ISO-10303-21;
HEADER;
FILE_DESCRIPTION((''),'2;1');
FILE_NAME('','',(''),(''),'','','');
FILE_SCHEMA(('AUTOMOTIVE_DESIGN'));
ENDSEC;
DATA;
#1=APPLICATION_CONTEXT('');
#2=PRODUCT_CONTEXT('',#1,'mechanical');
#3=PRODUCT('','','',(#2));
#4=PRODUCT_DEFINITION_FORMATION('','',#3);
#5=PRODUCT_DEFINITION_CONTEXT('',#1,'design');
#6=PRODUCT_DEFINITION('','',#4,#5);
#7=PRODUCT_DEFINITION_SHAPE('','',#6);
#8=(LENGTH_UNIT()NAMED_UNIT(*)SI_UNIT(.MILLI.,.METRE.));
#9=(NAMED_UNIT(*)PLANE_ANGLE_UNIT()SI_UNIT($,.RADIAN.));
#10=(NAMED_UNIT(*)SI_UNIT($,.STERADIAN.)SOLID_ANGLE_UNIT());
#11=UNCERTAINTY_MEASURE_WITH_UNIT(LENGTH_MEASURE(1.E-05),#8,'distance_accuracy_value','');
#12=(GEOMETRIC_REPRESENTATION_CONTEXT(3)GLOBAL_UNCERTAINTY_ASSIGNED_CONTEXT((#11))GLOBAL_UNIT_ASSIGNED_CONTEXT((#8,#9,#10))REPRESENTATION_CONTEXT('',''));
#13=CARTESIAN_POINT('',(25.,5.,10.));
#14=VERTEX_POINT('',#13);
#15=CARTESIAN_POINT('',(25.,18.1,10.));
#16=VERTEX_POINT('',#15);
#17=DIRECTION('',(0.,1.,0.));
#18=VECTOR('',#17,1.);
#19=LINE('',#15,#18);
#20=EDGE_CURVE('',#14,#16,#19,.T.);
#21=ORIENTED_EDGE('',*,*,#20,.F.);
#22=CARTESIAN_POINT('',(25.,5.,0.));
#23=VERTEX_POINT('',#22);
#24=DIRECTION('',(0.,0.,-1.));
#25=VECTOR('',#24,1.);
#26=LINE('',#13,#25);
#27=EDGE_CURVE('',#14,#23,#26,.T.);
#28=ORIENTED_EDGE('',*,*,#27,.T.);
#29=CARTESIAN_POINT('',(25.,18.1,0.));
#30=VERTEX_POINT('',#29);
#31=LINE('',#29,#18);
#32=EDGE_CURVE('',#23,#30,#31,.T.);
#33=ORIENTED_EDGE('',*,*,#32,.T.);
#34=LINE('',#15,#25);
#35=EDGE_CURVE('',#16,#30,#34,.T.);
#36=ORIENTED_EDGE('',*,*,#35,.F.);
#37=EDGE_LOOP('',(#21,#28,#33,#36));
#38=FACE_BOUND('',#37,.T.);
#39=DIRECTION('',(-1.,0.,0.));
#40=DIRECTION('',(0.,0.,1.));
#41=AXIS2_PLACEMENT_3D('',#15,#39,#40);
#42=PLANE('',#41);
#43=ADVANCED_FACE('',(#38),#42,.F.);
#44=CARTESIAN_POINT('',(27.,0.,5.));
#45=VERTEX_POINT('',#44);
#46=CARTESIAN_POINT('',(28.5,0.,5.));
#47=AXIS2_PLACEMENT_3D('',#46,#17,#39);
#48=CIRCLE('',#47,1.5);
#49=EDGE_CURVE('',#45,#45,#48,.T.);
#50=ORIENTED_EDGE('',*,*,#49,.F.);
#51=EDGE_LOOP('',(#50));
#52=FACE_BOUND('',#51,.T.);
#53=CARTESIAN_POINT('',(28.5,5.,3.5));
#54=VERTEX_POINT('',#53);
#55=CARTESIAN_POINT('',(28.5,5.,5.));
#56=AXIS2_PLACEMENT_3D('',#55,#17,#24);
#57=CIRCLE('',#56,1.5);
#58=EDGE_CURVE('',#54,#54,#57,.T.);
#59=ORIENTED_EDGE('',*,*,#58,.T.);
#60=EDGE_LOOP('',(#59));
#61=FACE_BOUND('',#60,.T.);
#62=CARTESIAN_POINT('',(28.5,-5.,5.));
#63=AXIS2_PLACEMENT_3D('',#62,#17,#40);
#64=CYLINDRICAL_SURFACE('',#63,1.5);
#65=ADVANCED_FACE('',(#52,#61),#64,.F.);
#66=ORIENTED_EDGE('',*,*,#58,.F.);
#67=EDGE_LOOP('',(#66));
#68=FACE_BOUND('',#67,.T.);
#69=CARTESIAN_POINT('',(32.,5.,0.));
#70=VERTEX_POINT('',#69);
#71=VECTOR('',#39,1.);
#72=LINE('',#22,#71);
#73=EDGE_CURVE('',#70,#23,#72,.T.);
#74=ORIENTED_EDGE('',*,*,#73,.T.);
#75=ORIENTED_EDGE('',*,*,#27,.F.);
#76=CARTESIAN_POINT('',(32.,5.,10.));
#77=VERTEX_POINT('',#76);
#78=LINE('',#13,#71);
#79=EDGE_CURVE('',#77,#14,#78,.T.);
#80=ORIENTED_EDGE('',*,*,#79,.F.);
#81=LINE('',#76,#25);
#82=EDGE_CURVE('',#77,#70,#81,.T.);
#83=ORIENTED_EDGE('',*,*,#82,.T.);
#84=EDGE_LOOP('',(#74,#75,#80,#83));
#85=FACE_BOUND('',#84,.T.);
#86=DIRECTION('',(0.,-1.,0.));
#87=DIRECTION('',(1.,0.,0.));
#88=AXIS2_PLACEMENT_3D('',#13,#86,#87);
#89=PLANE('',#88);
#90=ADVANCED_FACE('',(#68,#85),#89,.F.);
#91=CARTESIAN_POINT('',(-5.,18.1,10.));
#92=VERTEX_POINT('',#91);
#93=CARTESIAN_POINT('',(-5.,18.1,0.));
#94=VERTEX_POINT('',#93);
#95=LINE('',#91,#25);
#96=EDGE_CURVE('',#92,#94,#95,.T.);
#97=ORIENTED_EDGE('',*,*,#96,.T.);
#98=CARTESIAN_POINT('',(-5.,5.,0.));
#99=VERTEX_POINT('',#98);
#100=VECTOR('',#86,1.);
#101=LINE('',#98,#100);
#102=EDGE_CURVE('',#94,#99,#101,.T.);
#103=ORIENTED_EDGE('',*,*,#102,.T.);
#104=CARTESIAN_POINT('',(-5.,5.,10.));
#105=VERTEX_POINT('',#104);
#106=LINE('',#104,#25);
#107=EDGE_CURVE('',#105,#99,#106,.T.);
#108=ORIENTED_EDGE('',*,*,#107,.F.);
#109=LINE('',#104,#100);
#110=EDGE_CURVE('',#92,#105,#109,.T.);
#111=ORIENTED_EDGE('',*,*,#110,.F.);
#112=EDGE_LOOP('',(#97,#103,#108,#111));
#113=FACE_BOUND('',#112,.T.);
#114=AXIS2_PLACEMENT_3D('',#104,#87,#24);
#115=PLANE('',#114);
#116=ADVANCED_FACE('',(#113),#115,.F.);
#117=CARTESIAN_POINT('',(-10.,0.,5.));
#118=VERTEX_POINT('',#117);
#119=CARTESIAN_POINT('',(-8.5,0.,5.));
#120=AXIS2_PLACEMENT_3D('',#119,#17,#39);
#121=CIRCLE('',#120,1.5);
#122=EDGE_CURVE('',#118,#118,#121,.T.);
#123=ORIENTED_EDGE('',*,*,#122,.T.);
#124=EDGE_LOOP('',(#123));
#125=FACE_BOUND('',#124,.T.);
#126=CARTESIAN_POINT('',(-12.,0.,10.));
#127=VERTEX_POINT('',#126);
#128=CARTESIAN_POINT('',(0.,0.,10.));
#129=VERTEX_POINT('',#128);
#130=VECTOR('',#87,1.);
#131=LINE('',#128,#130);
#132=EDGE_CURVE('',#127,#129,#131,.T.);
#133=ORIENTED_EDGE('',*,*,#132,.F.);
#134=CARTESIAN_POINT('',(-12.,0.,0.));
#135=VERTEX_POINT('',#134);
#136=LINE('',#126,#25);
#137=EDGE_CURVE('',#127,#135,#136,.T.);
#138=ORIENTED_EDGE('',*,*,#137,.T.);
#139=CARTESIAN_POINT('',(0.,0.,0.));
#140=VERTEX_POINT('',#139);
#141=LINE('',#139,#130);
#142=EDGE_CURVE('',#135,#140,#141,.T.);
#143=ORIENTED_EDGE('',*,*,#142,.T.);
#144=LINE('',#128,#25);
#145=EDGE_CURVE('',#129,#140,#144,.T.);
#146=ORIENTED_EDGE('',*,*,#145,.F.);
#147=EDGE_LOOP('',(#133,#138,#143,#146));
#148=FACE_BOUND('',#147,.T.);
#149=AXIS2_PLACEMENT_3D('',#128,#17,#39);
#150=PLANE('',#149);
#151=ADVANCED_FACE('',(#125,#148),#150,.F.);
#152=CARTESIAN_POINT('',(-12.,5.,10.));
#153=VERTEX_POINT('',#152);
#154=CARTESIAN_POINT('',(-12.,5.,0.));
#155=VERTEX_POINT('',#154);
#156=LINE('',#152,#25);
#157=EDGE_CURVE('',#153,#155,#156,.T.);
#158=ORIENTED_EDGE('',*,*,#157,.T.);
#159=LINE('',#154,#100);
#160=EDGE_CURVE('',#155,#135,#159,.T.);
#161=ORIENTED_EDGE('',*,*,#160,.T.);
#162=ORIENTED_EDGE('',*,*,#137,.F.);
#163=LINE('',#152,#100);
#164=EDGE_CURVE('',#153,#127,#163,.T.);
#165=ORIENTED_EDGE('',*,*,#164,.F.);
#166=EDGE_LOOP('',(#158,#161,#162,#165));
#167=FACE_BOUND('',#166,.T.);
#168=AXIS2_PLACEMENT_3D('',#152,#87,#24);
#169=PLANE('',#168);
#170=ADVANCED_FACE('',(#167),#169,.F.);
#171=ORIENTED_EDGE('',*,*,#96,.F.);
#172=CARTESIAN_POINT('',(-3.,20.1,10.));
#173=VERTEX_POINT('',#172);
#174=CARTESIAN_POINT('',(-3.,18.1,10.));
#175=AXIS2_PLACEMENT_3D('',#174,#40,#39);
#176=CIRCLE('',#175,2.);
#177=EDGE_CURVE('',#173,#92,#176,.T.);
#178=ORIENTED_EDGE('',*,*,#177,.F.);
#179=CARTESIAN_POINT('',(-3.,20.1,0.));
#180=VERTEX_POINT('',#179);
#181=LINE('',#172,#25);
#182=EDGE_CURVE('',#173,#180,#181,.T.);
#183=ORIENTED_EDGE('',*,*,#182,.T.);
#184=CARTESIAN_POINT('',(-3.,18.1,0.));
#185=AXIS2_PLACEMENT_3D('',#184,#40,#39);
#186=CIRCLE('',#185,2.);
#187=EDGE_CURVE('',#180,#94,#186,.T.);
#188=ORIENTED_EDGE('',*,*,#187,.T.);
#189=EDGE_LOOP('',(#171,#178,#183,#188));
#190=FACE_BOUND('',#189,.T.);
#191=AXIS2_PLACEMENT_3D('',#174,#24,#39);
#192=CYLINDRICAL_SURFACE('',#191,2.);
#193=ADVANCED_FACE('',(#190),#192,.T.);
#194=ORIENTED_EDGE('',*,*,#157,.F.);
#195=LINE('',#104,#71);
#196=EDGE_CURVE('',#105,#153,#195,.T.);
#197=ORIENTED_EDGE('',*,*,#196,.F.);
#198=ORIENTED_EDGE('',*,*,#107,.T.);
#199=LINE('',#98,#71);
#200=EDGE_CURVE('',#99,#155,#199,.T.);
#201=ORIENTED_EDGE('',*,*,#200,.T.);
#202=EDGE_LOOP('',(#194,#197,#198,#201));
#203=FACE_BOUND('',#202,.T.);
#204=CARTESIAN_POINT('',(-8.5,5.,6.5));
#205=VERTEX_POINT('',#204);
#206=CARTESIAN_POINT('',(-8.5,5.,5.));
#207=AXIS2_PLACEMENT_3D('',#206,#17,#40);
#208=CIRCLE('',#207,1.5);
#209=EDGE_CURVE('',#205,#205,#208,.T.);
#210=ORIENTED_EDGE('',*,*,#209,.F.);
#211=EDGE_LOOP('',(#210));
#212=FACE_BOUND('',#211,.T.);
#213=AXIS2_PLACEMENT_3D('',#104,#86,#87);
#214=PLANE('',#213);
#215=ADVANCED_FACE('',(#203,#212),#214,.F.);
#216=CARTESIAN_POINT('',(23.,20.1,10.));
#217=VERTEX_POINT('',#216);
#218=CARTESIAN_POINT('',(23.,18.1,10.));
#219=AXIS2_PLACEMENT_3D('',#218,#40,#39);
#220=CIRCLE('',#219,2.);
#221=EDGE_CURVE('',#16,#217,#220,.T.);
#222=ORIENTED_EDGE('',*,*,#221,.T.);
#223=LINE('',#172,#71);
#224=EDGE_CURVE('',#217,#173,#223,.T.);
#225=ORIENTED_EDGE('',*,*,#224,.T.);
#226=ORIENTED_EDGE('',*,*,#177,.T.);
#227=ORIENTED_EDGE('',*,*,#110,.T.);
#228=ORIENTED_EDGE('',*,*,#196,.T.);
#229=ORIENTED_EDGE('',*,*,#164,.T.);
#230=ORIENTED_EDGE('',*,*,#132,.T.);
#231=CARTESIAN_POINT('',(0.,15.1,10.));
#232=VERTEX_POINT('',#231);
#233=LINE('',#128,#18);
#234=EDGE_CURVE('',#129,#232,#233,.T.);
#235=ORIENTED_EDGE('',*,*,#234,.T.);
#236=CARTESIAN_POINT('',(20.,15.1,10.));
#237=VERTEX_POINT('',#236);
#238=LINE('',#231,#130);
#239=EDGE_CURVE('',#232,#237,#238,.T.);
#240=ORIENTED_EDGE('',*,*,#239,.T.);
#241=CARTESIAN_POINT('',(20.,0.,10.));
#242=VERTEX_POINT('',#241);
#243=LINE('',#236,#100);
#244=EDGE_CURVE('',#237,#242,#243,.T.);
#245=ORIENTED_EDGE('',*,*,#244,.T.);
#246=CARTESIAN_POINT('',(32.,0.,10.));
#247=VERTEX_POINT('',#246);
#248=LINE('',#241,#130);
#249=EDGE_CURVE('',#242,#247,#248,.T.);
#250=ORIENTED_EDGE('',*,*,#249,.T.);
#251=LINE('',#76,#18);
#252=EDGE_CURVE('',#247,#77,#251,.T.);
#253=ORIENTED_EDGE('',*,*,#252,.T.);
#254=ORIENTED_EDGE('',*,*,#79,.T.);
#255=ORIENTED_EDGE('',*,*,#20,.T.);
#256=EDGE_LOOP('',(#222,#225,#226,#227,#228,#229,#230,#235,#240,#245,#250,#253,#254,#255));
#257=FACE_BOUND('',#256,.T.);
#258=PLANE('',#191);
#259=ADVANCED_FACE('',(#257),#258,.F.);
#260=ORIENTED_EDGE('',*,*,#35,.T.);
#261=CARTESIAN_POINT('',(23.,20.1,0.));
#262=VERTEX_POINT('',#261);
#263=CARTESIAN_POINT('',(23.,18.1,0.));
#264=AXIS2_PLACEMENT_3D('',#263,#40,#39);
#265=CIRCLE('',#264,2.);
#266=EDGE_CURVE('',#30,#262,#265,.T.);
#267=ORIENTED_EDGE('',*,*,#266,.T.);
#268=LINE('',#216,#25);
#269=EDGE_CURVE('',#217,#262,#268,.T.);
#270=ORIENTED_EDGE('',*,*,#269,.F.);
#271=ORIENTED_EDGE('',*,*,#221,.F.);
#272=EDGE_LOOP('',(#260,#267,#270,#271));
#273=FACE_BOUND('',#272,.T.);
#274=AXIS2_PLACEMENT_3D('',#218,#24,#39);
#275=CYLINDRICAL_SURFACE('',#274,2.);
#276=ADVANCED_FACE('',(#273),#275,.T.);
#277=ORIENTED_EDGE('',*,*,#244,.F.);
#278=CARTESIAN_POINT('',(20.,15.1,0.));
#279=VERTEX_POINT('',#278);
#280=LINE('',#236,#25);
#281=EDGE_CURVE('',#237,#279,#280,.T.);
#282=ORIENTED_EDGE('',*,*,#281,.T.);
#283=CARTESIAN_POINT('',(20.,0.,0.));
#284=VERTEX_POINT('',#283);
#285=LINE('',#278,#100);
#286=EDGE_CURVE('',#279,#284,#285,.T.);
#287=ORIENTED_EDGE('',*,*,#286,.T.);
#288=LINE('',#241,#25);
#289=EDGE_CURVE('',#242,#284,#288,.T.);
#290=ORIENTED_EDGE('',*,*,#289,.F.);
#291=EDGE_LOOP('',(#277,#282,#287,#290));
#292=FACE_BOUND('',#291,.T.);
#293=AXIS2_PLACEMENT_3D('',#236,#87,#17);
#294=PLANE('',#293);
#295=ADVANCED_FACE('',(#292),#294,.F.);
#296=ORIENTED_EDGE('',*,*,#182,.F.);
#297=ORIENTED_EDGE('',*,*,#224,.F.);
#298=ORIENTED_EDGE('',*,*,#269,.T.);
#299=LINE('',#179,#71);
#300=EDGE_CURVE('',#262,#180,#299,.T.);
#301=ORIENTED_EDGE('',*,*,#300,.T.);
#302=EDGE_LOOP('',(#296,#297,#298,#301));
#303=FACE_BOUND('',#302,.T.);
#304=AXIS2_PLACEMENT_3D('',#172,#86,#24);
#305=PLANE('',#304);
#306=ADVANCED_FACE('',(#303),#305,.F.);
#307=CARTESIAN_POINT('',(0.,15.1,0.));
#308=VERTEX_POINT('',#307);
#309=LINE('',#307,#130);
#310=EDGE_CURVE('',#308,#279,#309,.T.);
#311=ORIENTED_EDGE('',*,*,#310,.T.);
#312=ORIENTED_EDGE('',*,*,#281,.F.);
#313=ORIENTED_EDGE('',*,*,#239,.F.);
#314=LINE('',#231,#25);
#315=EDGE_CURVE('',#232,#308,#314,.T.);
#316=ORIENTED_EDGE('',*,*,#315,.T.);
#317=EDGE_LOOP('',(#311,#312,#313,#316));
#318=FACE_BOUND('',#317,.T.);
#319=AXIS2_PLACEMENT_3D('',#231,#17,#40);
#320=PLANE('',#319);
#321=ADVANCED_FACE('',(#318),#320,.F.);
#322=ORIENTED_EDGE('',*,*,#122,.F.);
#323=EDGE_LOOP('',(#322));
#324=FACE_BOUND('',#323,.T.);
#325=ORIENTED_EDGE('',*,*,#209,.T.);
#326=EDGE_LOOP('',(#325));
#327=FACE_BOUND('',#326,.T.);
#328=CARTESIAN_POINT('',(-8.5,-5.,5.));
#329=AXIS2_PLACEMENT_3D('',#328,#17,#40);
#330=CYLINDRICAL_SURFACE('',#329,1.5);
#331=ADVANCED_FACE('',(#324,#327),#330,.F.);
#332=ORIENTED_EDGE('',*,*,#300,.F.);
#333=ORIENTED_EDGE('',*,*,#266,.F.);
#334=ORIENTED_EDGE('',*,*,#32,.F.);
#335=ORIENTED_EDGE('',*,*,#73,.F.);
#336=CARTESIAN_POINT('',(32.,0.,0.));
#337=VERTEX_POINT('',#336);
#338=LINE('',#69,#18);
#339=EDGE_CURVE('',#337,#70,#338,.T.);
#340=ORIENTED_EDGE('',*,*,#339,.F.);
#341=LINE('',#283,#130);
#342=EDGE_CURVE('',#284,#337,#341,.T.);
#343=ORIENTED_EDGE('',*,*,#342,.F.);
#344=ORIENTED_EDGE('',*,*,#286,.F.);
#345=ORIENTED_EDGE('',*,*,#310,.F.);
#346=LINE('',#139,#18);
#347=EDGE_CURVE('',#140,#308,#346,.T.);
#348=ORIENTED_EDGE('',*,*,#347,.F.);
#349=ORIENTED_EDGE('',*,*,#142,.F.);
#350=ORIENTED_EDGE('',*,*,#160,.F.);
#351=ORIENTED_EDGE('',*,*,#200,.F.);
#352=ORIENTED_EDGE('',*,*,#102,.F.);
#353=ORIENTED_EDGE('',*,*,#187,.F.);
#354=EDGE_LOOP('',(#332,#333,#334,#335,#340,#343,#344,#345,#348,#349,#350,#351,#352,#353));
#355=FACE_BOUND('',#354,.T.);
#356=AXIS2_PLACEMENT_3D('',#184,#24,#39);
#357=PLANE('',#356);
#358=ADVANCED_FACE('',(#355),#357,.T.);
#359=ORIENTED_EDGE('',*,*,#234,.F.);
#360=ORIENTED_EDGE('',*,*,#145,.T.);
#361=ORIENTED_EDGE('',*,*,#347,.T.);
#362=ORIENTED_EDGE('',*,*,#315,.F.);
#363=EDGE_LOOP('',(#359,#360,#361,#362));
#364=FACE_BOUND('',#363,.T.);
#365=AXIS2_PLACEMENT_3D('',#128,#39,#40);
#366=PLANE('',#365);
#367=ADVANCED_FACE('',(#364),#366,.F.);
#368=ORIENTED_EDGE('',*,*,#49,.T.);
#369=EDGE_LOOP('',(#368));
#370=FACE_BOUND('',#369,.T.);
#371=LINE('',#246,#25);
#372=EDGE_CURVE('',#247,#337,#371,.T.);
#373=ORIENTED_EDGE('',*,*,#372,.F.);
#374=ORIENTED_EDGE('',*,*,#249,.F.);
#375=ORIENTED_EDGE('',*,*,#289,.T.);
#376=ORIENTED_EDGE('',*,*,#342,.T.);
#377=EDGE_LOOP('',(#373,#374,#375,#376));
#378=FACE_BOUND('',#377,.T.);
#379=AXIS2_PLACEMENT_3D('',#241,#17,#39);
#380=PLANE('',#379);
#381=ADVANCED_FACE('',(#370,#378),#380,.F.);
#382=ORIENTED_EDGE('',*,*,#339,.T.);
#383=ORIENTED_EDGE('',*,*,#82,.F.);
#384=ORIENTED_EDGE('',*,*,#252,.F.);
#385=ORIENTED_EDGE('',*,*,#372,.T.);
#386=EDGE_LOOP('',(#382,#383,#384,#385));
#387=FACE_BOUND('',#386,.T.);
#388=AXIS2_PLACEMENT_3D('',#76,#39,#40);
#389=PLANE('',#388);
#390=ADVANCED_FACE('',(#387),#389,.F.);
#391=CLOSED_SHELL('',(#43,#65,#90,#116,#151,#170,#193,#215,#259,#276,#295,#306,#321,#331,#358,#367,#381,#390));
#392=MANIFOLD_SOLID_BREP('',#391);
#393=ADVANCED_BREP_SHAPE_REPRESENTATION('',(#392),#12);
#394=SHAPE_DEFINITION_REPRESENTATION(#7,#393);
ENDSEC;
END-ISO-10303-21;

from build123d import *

# Parameters (mm, degrees)
BOSS_EXTRU_1_DEPTH      = 10
ESQUISSE2_R             = 1.5
ENL_V_MAT_EXTRU_1_DEPTH = 10


with BuildPart() as part:
    # Esquisse1 → Boss.-Extru.1 (new body)
    with BuildSketch(Plane.XY):
        with BuildLine():
            Line((0, 0), (0, 15.1))
            Line((0, 15.1), (20, 15.1))
            Line((20, 15.1), (20, 0))
            Line((20, 0), (32, 0))
            Line((32, 0), (32, 5))
            Line((32, 5), (25, 5))
            Line((25, 5), (25, 18.1))
            ThreePointArc((25, 18.1), (24.414213562, 19.514213562), (23, 20.1))
            Line((23, 20.1), (-3, 20.1))
            ThreePointArc((-3, 20.1), (-4.414213562, 19.514213562), (-5, 18.1))
            Line((-5, 18.1), (-5, 5))
            Line((-5, 5), (-12, 5))
            Line((-12, 5), (-12, 0))
            Line((-12, 0), (0, 0))
        make_face()
    extrude(amount=BOSS_EXTRU_1_DEPTH)

    # Esquisse2 → Enlèv. mat.-Extru.1 (cut)
    with BuildSketch(Plane(origin=(0, 5, 0), x_dir=(1, 0, 0), z_dir=(0, 1, 0))):
        with Locations(Location((-8.5, -5, 0), (0, 0, 270))):
            Circle(ESQUISSE2_R)
        with Locations(Location((28.5, -5, 0), (0, 0, 180))):
            Circle(ESQUISSE2_R)
    extrude(amount=-ENL_V_MAT_EXTRU_1_DEPTH, mode=Mode.SUBTRACT)


solid = part.part
